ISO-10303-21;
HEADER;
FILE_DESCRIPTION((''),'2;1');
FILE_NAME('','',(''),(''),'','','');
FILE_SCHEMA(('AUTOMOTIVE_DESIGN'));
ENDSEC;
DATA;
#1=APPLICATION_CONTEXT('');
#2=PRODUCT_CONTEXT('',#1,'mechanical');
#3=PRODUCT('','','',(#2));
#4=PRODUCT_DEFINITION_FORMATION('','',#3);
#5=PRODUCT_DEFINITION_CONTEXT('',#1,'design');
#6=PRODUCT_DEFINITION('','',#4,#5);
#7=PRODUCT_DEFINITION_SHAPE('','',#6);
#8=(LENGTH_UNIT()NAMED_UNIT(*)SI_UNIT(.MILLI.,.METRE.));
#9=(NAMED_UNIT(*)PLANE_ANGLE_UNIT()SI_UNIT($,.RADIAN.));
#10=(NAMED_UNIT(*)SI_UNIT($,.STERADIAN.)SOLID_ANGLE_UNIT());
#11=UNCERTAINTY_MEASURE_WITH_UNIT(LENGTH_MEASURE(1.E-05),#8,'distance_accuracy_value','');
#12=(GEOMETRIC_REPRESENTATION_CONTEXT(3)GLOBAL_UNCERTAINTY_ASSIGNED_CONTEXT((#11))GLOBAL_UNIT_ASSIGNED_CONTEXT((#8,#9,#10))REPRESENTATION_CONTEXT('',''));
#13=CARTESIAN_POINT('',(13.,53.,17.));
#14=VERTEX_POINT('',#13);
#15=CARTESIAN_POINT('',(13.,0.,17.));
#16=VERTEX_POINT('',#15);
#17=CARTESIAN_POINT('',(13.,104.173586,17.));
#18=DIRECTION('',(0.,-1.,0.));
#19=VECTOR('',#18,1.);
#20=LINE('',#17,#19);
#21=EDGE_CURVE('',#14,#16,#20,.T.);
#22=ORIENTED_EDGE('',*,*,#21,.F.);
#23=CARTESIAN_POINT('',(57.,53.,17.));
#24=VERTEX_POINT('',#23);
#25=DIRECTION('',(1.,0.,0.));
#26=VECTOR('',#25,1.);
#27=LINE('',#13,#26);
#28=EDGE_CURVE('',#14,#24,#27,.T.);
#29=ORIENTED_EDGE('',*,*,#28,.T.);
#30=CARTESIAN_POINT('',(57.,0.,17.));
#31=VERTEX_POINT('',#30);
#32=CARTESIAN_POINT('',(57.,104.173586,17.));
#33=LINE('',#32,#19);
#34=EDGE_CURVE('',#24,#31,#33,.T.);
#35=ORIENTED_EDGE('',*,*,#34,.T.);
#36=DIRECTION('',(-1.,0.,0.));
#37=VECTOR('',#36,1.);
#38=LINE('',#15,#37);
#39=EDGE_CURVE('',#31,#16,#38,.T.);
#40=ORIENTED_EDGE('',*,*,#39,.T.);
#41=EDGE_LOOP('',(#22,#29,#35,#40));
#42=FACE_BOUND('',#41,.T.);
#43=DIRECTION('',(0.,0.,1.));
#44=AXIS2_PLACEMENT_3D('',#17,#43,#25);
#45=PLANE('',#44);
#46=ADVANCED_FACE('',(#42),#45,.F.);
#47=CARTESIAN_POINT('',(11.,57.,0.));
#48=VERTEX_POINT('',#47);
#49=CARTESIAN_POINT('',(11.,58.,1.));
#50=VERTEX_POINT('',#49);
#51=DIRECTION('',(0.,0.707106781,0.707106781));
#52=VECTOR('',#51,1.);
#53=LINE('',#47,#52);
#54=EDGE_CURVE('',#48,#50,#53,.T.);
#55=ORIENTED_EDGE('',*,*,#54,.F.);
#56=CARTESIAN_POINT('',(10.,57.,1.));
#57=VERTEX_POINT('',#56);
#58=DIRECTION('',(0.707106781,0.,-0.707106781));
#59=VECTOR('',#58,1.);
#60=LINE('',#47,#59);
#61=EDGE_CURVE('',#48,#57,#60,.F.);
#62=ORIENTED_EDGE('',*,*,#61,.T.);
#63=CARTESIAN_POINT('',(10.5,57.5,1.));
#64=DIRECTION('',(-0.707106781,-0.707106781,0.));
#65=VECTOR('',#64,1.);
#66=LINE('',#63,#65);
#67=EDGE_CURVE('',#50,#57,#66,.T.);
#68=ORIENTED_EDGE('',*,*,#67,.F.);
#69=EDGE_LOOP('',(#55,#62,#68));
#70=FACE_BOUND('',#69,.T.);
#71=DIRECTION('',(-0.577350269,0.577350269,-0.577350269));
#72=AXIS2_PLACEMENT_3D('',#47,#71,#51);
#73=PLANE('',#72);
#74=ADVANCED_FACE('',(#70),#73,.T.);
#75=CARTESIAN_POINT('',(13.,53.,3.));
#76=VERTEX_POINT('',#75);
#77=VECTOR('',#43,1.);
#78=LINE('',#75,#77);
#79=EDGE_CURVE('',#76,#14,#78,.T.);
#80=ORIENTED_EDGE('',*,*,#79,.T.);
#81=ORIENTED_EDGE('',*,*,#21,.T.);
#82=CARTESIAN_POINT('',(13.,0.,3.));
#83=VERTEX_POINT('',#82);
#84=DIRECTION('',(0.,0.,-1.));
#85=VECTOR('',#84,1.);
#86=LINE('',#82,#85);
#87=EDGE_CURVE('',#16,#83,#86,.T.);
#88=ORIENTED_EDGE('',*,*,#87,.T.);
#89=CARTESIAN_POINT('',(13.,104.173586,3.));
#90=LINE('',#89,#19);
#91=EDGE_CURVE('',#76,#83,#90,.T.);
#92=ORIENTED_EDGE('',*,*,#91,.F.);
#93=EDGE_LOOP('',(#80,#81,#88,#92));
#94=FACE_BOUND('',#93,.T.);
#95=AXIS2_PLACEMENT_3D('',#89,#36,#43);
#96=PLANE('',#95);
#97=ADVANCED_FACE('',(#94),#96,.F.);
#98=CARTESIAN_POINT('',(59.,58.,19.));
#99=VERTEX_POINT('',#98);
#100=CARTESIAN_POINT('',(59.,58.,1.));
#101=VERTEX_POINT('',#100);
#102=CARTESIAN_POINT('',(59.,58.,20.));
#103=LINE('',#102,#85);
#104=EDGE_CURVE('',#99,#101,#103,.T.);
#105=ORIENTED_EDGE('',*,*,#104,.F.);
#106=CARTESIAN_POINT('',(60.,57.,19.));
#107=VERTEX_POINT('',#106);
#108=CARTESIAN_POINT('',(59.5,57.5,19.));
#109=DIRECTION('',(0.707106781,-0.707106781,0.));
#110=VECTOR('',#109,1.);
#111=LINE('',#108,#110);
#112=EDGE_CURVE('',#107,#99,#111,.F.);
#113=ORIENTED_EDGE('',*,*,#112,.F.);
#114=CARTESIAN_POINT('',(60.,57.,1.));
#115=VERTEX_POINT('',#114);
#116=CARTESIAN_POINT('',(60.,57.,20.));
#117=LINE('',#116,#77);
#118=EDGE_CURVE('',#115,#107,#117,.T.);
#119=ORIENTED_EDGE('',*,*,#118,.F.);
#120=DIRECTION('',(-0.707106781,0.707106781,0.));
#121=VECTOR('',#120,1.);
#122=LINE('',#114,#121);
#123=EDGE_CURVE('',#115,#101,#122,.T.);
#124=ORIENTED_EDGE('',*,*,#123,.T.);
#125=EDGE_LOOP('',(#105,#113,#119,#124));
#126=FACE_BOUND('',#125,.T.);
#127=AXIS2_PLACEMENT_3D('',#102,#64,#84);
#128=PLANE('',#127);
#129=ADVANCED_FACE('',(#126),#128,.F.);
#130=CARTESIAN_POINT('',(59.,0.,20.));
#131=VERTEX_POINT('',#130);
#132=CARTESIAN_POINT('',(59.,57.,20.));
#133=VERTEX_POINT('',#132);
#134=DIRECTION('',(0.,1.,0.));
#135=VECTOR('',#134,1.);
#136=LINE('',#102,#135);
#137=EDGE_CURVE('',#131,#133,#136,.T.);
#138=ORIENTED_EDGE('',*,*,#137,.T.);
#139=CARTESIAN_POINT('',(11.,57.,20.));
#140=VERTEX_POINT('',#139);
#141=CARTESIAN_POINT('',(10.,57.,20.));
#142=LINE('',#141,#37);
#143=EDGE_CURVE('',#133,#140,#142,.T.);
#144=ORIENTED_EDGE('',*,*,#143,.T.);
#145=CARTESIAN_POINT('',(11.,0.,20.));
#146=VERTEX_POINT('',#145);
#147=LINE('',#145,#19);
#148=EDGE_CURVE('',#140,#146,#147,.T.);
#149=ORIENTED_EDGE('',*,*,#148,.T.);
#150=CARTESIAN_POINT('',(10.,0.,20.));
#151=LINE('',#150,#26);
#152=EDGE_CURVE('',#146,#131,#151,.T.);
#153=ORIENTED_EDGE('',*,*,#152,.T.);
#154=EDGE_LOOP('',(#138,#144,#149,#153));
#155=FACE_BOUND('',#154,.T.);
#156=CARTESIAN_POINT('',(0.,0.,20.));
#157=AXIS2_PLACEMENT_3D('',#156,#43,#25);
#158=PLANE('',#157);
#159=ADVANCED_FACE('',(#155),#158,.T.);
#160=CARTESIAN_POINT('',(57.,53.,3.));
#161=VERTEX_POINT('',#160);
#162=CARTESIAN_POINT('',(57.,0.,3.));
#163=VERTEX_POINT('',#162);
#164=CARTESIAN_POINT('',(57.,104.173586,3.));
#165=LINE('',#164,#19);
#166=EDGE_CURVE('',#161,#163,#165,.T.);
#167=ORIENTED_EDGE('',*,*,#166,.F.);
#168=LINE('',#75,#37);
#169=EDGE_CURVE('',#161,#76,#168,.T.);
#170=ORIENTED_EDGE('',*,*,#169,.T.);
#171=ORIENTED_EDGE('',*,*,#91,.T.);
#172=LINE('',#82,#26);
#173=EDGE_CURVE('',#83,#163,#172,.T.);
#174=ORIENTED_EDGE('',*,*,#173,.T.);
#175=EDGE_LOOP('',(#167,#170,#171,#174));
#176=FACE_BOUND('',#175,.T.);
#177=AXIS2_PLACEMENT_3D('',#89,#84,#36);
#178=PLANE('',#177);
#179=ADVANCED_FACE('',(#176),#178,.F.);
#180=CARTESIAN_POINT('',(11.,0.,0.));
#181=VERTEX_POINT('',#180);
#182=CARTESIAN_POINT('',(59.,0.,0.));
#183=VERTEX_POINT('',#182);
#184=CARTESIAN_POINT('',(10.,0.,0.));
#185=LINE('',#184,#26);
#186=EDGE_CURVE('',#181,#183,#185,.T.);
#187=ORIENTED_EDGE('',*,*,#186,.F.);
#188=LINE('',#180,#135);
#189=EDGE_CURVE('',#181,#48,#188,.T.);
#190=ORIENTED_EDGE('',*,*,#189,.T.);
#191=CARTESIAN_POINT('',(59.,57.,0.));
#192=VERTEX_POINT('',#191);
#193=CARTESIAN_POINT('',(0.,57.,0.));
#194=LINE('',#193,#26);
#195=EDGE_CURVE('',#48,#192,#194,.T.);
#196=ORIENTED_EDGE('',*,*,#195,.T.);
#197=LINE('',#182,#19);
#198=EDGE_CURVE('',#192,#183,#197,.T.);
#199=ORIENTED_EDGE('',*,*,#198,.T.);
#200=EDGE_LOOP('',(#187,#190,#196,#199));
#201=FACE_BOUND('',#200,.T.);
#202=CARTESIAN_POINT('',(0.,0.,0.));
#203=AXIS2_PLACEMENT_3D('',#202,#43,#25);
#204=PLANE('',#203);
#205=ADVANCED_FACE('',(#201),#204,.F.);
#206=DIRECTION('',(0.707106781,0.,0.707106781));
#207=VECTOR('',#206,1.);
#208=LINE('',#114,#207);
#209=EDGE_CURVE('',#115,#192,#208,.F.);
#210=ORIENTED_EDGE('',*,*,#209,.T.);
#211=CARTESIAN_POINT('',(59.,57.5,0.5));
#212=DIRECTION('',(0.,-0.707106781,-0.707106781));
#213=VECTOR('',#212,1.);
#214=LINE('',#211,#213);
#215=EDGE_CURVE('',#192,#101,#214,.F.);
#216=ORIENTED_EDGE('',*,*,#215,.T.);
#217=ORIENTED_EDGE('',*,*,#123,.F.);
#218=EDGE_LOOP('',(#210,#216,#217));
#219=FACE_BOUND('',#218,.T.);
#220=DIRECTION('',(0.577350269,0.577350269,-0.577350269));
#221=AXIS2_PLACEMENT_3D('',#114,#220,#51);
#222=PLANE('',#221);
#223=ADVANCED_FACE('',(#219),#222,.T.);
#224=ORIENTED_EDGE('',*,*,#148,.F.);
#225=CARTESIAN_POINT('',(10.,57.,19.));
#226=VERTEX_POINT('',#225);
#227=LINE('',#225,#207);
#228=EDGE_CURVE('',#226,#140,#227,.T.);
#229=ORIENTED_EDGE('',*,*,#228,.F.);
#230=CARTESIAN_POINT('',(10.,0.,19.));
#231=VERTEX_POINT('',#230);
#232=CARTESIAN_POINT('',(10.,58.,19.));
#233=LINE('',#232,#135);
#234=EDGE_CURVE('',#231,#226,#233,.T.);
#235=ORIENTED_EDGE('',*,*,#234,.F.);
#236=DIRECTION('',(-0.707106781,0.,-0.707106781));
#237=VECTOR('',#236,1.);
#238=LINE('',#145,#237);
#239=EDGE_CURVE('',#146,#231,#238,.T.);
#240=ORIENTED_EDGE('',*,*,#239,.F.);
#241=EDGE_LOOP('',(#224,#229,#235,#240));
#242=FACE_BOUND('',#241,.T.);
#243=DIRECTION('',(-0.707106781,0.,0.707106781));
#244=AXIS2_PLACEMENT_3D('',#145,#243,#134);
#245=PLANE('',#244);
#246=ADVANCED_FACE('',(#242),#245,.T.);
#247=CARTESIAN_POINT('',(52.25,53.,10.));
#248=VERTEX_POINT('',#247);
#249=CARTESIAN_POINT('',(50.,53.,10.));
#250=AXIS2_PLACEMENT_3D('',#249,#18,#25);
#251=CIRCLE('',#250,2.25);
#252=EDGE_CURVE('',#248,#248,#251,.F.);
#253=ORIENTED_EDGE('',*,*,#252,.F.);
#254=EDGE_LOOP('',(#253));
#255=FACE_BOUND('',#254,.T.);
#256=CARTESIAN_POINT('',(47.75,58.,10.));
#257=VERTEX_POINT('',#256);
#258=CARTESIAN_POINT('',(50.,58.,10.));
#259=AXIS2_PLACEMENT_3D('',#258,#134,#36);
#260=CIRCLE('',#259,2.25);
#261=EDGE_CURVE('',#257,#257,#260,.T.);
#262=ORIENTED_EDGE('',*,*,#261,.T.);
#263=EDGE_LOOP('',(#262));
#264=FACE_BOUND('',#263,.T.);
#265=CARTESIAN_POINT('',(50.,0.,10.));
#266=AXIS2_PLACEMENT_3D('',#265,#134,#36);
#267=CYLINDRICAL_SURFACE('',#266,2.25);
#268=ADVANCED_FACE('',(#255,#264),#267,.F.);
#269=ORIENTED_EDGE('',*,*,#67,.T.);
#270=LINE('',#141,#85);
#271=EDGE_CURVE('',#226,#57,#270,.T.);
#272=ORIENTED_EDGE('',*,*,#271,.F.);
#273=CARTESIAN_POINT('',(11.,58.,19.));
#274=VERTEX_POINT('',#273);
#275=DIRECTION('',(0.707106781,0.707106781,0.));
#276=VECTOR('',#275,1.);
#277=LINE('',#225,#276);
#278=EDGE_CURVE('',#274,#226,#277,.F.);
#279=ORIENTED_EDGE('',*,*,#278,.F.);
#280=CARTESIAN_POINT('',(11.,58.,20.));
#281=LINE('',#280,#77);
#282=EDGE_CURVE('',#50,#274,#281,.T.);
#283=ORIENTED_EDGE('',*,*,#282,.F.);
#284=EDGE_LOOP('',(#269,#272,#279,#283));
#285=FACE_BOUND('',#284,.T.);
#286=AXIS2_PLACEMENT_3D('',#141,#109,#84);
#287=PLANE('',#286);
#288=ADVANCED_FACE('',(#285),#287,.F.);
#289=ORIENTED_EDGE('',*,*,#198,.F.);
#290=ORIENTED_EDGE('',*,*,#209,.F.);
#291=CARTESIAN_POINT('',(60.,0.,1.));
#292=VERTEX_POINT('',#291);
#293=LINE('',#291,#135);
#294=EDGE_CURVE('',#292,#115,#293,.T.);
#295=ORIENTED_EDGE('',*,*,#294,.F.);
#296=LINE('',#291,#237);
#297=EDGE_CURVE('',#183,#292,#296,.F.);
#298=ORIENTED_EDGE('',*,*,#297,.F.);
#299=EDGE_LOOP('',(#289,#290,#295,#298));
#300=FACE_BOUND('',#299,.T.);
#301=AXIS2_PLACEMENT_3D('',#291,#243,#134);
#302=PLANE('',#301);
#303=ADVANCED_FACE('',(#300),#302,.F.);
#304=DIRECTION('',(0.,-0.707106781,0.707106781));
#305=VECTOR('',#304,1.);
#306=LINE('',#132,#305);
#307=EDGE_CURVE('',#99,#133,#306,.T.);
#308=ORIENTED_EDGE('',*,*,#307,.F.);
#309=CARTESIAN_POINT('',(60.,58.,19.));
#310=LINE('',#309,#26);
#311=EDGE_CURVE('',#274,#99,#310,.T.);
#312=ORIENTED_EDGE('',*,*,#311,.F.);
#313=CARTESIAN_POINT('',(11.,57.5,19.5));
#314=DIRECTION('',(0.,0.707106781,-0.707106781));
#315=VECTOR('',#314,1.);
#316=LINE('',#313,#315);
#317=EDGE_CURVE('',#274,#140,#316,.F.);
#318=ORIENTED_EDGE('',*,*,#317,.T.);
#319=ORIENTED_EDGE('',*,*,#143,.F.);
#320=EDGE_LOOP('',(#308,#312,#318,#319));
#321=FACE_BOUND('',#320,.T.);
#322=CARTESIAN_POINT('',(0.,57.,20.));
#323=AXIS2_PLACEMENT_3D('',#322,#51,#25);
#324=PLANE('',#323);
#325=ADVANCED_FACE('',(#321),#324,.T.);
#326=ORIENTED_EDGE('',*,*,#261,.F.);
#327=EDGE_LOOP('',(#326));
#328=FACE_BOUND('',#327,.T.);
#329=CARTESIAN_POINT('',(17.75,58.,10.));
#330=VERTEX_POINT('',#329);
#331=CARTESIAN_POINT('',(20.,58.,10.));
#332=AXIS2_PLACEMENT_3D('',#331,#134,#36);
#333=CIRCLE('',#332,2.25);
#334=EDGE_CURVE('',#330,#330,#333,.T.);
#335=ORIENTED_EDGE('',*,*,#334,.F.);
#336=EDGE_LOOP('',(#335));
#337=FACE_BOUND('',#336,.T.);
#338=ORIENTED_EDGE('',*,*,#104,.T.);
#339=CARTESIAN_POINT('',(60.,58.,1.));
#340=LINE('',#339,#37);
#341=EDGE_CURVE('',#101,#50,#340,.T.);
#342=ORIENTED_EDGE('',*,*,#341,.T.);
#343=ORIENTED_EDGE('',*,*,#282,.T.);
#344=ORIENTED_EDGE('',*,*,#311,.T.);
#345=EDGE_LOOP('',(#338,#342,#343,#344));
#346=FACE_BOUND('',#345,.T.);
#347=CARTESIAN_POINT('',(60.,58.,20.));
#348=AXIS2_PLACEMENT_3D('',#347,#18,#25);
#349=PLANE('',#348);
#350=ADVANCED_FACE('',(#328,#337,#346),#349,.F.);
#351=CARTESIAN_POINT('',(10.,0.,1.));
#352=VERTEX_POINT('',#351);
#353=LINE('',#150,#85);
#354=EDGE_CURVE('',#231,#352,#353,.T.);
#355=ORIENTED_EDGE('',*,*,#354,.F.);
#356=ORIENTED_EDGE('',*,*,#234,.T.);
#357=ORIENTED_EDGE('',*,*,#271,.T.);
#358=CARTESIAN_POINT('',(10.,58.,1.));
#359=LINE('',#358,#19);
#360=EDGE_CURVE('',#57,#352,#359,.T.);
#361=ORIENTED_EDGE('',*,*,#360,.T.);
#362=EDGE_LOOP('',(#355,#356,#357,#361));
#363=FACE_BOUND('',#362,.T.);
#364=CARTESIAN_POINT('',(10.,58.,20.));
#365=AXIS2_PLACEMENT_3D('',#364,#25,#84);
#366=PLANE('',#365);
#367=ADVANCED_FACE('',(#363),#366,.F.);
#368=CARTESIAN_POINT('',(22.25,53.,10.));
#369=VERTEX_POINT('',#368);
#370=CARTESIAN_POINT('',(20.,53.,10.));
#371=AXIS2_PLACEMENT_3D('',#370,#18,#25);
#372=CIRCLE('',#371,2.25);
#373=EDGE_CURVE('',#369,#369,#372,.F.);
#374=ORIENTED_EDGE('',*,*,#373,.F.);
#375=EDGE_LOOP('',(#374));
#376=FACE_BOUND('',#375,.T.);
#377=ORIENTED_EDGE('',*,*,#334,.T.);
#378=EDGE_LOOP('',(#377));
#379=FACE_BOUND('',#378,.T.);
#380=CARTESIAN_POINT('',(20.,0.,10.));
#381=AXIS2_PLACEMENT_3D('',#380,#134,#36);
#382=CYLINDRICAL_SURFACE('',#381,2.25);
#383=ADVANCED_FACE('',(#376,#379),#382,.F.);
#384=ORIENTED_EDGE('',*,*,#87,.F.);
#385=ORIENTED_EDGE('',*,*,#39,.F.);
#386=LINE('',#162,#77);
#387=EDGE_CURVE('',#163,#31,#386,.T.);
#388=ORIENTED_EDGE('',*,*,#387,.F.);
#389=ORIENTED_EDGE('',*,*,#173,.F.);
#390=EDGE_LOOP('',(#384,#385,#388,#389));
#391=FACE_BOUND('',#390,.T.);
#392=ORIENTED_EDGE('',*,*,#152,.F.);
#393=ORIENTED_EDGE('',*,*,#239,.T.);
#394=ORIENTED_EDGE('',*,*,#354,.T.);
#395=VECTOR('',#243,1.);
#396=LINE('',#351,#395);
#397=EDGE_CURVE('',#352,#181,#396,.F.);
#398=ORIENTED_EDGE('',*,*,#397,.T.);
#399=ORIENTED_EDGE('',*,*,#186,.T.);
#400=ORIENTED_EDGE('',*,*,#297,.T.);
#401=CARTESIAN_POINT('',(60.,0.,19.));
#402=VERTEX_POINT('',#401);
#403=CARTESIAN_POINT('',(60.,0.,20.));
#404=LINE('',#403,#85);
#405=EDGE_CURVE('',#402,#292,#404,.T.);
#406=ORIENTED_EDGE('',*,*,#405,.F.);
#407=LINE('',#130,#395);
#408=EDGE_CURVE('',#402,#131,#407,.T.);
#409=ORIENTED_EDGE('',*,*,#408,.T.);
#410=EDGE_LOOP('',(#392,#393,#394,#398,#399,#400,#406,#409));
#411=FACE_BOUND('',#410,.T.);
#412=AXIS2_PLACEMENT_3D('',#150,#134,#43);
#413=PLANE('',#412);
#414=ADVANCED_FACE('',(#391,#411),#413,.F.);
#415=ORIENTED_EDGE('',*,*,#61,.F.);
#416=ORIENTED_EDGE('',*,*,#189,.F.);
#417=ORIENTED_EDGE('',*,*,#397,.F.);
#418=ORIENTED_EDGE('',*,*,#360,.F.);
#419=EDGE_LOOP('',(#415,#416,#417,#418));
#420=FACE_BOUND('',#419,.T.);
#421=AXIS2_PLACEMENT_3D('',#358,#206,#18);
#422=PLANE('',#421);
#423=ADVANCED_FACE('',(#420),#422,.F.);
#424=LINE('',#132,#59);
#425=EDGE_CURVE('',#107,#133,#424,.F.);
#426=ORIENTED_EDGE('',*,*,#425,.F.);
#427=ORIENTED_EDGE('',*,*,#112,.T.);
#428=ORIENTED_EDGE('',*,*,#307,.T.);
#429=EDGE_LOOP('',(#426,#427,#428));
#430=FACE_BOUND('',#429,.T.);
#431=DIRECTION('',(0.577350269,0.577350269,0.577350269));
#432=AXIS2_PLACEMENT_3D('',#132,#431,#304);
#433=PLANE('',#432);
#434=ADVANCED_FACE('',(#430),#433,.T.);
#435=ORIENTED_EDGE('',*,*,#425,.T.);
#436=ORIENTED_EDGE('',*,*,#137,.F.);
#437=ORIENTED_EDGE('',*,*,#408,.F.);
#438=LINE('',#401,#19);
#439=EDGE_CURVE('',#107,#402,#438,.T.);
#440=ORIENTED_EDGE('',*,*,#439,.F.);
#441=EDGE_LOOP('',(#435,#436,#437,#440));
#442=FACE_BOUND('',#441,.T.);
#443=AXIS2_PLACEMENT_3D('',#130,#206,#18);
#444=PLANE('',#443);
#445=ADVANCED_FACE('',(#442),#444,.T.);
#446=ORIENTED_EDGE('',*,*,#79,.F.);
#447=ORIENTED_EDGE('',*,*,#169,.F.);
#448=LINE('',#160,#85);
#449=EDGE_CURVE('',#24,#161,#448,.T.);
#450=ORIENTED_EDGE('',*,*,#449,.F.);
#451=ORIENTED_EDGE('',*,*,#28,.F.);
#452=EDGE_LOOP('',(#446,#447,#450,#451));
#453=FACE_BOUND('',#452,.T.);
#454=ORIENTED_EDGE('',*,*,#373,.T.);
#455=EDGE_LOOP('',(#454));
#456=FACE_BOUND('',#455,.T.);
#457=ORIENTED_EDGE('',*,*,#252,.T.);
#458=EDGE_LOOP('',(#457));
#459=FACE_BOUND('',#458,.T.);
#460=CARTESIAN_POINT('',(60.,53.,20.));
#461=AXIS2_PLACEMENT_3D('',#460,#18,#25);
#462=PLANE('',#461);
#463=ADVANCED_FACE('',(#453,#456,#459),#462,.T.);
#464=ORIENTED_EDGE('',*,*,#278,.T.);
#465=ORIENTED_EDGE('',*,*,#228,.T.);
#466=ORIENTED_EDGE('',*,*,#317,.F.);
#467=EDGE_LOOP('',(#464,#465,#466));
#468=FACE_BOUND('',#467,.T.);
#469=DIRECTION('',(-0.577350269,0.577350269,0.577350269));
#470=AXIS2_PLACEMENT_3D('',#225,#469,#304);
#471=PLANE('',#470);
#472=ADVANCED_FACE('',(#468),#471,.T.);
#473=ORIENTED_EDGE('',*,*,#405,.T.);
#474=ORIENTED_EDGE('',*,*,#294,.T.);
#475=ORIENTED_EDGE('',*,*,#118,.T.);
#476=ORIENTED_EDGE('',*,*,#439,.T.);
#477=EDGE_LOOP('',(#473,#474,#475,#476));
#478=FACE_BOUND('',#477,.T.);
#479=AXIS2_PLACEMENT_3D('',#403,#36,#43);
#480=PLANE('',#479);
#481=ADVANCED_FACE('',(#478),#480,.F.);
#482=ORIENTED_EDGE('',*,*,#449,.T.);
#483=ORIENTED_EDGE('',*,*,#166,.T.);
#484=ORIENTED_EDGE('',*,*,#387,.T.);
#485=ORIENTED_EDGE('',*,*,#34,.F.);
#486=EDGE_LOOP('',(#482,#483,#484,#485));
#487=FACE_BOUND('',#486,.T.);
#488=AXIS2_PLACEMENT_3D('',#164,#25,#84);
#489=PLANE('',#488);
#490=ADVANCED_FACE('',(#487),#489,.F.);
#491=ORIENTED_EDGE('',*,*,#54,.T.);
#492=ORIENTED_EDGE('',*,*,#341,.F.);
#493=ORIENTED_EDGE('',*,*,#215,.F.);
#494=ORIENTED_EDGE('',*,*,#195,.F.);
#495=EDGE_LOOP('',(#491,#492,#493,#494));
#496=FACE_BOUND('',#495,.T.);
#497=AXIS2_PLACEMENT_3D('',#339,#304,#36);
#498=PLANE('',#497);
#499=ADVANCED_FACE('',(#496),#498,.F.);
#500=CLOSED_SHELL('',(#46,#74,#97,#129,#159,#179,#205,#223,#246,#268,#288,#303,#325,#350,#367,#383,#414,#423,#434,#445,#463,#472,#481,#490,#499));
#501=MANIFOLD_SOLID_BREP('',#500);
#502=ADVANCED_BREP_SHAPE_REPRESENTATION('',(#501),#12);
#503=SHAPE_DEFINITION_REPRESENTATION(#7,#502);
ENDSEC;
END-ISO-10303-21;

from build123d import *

# Parameters (mm, degrees)
SKETCH1_W           = 50
SKETCH1_H           = 58
BOSS_EXTRUDE1_DEPTH = 20
SKETCH2_R           = 2.25
CUT_EXTRUDE1_DEPTH  = 86.813751812
SKETCH3_W           = 44
SKETCH3_H           = 14
CUT_EXTRUDE2_DEPTH  = 53
CHAMFER1_SIZE       = 1


with BuildPart() as part:
    # Sketch1 → Boss-Extrude1 (new body)
    with BuildSketch(Plane.XY):
        with Locations((35, 29)):
            Rectangle(SKETCH1_W, SKETCH1_H)
    extrude(amount=BOSS_EXTRUDE1_DEPTH)

    # Sketch2 → Cut-Extrude1 (cut, through all)
    with BuildSketch(Plane(origin=(0, 58, 0), x_dir=(1, 0, 0), z_dir=(0, 1, 0))):
        with Locations(Location((20, -10, 0), (0, 0, 180))):
            Circle(SKETCH2_R)
        with Locations(Location((50, -10, 0), (0, 0, 180))):
            Circle(SKETCH2_R)
    extrude(amount=-CUT_EXTRUDE1_DEPTH, mode=Mode.SUBTRACT)

    # Sketch3 → Cut-Extrude2 (cut)
    with BuildSketch(Plane.XZ):
        with Locations((35, 10)):
            Rectangle(SKETCH3_W, SKETCH3_H)
    extrude(amount=-CUT_EXTRUDE2_DEPTH, mode=Mode.SUBTRACT)

    # Chamfer1
    chamfer1_edges = [part.edges().sort_by_distance(p)[0] for p in [
        (60, 29, 20),
        (35, 58, 20),
        (60, 29, 0),
        (10, 29, 0),
        (35, 58, 0),
        (60, 58, 10),
        (10, 58, 10),
        (10, 29, 20),
    ]]
    chamfer(chamfer1_edges, length=CHAMFER1_SIZE)


solid = part.part
